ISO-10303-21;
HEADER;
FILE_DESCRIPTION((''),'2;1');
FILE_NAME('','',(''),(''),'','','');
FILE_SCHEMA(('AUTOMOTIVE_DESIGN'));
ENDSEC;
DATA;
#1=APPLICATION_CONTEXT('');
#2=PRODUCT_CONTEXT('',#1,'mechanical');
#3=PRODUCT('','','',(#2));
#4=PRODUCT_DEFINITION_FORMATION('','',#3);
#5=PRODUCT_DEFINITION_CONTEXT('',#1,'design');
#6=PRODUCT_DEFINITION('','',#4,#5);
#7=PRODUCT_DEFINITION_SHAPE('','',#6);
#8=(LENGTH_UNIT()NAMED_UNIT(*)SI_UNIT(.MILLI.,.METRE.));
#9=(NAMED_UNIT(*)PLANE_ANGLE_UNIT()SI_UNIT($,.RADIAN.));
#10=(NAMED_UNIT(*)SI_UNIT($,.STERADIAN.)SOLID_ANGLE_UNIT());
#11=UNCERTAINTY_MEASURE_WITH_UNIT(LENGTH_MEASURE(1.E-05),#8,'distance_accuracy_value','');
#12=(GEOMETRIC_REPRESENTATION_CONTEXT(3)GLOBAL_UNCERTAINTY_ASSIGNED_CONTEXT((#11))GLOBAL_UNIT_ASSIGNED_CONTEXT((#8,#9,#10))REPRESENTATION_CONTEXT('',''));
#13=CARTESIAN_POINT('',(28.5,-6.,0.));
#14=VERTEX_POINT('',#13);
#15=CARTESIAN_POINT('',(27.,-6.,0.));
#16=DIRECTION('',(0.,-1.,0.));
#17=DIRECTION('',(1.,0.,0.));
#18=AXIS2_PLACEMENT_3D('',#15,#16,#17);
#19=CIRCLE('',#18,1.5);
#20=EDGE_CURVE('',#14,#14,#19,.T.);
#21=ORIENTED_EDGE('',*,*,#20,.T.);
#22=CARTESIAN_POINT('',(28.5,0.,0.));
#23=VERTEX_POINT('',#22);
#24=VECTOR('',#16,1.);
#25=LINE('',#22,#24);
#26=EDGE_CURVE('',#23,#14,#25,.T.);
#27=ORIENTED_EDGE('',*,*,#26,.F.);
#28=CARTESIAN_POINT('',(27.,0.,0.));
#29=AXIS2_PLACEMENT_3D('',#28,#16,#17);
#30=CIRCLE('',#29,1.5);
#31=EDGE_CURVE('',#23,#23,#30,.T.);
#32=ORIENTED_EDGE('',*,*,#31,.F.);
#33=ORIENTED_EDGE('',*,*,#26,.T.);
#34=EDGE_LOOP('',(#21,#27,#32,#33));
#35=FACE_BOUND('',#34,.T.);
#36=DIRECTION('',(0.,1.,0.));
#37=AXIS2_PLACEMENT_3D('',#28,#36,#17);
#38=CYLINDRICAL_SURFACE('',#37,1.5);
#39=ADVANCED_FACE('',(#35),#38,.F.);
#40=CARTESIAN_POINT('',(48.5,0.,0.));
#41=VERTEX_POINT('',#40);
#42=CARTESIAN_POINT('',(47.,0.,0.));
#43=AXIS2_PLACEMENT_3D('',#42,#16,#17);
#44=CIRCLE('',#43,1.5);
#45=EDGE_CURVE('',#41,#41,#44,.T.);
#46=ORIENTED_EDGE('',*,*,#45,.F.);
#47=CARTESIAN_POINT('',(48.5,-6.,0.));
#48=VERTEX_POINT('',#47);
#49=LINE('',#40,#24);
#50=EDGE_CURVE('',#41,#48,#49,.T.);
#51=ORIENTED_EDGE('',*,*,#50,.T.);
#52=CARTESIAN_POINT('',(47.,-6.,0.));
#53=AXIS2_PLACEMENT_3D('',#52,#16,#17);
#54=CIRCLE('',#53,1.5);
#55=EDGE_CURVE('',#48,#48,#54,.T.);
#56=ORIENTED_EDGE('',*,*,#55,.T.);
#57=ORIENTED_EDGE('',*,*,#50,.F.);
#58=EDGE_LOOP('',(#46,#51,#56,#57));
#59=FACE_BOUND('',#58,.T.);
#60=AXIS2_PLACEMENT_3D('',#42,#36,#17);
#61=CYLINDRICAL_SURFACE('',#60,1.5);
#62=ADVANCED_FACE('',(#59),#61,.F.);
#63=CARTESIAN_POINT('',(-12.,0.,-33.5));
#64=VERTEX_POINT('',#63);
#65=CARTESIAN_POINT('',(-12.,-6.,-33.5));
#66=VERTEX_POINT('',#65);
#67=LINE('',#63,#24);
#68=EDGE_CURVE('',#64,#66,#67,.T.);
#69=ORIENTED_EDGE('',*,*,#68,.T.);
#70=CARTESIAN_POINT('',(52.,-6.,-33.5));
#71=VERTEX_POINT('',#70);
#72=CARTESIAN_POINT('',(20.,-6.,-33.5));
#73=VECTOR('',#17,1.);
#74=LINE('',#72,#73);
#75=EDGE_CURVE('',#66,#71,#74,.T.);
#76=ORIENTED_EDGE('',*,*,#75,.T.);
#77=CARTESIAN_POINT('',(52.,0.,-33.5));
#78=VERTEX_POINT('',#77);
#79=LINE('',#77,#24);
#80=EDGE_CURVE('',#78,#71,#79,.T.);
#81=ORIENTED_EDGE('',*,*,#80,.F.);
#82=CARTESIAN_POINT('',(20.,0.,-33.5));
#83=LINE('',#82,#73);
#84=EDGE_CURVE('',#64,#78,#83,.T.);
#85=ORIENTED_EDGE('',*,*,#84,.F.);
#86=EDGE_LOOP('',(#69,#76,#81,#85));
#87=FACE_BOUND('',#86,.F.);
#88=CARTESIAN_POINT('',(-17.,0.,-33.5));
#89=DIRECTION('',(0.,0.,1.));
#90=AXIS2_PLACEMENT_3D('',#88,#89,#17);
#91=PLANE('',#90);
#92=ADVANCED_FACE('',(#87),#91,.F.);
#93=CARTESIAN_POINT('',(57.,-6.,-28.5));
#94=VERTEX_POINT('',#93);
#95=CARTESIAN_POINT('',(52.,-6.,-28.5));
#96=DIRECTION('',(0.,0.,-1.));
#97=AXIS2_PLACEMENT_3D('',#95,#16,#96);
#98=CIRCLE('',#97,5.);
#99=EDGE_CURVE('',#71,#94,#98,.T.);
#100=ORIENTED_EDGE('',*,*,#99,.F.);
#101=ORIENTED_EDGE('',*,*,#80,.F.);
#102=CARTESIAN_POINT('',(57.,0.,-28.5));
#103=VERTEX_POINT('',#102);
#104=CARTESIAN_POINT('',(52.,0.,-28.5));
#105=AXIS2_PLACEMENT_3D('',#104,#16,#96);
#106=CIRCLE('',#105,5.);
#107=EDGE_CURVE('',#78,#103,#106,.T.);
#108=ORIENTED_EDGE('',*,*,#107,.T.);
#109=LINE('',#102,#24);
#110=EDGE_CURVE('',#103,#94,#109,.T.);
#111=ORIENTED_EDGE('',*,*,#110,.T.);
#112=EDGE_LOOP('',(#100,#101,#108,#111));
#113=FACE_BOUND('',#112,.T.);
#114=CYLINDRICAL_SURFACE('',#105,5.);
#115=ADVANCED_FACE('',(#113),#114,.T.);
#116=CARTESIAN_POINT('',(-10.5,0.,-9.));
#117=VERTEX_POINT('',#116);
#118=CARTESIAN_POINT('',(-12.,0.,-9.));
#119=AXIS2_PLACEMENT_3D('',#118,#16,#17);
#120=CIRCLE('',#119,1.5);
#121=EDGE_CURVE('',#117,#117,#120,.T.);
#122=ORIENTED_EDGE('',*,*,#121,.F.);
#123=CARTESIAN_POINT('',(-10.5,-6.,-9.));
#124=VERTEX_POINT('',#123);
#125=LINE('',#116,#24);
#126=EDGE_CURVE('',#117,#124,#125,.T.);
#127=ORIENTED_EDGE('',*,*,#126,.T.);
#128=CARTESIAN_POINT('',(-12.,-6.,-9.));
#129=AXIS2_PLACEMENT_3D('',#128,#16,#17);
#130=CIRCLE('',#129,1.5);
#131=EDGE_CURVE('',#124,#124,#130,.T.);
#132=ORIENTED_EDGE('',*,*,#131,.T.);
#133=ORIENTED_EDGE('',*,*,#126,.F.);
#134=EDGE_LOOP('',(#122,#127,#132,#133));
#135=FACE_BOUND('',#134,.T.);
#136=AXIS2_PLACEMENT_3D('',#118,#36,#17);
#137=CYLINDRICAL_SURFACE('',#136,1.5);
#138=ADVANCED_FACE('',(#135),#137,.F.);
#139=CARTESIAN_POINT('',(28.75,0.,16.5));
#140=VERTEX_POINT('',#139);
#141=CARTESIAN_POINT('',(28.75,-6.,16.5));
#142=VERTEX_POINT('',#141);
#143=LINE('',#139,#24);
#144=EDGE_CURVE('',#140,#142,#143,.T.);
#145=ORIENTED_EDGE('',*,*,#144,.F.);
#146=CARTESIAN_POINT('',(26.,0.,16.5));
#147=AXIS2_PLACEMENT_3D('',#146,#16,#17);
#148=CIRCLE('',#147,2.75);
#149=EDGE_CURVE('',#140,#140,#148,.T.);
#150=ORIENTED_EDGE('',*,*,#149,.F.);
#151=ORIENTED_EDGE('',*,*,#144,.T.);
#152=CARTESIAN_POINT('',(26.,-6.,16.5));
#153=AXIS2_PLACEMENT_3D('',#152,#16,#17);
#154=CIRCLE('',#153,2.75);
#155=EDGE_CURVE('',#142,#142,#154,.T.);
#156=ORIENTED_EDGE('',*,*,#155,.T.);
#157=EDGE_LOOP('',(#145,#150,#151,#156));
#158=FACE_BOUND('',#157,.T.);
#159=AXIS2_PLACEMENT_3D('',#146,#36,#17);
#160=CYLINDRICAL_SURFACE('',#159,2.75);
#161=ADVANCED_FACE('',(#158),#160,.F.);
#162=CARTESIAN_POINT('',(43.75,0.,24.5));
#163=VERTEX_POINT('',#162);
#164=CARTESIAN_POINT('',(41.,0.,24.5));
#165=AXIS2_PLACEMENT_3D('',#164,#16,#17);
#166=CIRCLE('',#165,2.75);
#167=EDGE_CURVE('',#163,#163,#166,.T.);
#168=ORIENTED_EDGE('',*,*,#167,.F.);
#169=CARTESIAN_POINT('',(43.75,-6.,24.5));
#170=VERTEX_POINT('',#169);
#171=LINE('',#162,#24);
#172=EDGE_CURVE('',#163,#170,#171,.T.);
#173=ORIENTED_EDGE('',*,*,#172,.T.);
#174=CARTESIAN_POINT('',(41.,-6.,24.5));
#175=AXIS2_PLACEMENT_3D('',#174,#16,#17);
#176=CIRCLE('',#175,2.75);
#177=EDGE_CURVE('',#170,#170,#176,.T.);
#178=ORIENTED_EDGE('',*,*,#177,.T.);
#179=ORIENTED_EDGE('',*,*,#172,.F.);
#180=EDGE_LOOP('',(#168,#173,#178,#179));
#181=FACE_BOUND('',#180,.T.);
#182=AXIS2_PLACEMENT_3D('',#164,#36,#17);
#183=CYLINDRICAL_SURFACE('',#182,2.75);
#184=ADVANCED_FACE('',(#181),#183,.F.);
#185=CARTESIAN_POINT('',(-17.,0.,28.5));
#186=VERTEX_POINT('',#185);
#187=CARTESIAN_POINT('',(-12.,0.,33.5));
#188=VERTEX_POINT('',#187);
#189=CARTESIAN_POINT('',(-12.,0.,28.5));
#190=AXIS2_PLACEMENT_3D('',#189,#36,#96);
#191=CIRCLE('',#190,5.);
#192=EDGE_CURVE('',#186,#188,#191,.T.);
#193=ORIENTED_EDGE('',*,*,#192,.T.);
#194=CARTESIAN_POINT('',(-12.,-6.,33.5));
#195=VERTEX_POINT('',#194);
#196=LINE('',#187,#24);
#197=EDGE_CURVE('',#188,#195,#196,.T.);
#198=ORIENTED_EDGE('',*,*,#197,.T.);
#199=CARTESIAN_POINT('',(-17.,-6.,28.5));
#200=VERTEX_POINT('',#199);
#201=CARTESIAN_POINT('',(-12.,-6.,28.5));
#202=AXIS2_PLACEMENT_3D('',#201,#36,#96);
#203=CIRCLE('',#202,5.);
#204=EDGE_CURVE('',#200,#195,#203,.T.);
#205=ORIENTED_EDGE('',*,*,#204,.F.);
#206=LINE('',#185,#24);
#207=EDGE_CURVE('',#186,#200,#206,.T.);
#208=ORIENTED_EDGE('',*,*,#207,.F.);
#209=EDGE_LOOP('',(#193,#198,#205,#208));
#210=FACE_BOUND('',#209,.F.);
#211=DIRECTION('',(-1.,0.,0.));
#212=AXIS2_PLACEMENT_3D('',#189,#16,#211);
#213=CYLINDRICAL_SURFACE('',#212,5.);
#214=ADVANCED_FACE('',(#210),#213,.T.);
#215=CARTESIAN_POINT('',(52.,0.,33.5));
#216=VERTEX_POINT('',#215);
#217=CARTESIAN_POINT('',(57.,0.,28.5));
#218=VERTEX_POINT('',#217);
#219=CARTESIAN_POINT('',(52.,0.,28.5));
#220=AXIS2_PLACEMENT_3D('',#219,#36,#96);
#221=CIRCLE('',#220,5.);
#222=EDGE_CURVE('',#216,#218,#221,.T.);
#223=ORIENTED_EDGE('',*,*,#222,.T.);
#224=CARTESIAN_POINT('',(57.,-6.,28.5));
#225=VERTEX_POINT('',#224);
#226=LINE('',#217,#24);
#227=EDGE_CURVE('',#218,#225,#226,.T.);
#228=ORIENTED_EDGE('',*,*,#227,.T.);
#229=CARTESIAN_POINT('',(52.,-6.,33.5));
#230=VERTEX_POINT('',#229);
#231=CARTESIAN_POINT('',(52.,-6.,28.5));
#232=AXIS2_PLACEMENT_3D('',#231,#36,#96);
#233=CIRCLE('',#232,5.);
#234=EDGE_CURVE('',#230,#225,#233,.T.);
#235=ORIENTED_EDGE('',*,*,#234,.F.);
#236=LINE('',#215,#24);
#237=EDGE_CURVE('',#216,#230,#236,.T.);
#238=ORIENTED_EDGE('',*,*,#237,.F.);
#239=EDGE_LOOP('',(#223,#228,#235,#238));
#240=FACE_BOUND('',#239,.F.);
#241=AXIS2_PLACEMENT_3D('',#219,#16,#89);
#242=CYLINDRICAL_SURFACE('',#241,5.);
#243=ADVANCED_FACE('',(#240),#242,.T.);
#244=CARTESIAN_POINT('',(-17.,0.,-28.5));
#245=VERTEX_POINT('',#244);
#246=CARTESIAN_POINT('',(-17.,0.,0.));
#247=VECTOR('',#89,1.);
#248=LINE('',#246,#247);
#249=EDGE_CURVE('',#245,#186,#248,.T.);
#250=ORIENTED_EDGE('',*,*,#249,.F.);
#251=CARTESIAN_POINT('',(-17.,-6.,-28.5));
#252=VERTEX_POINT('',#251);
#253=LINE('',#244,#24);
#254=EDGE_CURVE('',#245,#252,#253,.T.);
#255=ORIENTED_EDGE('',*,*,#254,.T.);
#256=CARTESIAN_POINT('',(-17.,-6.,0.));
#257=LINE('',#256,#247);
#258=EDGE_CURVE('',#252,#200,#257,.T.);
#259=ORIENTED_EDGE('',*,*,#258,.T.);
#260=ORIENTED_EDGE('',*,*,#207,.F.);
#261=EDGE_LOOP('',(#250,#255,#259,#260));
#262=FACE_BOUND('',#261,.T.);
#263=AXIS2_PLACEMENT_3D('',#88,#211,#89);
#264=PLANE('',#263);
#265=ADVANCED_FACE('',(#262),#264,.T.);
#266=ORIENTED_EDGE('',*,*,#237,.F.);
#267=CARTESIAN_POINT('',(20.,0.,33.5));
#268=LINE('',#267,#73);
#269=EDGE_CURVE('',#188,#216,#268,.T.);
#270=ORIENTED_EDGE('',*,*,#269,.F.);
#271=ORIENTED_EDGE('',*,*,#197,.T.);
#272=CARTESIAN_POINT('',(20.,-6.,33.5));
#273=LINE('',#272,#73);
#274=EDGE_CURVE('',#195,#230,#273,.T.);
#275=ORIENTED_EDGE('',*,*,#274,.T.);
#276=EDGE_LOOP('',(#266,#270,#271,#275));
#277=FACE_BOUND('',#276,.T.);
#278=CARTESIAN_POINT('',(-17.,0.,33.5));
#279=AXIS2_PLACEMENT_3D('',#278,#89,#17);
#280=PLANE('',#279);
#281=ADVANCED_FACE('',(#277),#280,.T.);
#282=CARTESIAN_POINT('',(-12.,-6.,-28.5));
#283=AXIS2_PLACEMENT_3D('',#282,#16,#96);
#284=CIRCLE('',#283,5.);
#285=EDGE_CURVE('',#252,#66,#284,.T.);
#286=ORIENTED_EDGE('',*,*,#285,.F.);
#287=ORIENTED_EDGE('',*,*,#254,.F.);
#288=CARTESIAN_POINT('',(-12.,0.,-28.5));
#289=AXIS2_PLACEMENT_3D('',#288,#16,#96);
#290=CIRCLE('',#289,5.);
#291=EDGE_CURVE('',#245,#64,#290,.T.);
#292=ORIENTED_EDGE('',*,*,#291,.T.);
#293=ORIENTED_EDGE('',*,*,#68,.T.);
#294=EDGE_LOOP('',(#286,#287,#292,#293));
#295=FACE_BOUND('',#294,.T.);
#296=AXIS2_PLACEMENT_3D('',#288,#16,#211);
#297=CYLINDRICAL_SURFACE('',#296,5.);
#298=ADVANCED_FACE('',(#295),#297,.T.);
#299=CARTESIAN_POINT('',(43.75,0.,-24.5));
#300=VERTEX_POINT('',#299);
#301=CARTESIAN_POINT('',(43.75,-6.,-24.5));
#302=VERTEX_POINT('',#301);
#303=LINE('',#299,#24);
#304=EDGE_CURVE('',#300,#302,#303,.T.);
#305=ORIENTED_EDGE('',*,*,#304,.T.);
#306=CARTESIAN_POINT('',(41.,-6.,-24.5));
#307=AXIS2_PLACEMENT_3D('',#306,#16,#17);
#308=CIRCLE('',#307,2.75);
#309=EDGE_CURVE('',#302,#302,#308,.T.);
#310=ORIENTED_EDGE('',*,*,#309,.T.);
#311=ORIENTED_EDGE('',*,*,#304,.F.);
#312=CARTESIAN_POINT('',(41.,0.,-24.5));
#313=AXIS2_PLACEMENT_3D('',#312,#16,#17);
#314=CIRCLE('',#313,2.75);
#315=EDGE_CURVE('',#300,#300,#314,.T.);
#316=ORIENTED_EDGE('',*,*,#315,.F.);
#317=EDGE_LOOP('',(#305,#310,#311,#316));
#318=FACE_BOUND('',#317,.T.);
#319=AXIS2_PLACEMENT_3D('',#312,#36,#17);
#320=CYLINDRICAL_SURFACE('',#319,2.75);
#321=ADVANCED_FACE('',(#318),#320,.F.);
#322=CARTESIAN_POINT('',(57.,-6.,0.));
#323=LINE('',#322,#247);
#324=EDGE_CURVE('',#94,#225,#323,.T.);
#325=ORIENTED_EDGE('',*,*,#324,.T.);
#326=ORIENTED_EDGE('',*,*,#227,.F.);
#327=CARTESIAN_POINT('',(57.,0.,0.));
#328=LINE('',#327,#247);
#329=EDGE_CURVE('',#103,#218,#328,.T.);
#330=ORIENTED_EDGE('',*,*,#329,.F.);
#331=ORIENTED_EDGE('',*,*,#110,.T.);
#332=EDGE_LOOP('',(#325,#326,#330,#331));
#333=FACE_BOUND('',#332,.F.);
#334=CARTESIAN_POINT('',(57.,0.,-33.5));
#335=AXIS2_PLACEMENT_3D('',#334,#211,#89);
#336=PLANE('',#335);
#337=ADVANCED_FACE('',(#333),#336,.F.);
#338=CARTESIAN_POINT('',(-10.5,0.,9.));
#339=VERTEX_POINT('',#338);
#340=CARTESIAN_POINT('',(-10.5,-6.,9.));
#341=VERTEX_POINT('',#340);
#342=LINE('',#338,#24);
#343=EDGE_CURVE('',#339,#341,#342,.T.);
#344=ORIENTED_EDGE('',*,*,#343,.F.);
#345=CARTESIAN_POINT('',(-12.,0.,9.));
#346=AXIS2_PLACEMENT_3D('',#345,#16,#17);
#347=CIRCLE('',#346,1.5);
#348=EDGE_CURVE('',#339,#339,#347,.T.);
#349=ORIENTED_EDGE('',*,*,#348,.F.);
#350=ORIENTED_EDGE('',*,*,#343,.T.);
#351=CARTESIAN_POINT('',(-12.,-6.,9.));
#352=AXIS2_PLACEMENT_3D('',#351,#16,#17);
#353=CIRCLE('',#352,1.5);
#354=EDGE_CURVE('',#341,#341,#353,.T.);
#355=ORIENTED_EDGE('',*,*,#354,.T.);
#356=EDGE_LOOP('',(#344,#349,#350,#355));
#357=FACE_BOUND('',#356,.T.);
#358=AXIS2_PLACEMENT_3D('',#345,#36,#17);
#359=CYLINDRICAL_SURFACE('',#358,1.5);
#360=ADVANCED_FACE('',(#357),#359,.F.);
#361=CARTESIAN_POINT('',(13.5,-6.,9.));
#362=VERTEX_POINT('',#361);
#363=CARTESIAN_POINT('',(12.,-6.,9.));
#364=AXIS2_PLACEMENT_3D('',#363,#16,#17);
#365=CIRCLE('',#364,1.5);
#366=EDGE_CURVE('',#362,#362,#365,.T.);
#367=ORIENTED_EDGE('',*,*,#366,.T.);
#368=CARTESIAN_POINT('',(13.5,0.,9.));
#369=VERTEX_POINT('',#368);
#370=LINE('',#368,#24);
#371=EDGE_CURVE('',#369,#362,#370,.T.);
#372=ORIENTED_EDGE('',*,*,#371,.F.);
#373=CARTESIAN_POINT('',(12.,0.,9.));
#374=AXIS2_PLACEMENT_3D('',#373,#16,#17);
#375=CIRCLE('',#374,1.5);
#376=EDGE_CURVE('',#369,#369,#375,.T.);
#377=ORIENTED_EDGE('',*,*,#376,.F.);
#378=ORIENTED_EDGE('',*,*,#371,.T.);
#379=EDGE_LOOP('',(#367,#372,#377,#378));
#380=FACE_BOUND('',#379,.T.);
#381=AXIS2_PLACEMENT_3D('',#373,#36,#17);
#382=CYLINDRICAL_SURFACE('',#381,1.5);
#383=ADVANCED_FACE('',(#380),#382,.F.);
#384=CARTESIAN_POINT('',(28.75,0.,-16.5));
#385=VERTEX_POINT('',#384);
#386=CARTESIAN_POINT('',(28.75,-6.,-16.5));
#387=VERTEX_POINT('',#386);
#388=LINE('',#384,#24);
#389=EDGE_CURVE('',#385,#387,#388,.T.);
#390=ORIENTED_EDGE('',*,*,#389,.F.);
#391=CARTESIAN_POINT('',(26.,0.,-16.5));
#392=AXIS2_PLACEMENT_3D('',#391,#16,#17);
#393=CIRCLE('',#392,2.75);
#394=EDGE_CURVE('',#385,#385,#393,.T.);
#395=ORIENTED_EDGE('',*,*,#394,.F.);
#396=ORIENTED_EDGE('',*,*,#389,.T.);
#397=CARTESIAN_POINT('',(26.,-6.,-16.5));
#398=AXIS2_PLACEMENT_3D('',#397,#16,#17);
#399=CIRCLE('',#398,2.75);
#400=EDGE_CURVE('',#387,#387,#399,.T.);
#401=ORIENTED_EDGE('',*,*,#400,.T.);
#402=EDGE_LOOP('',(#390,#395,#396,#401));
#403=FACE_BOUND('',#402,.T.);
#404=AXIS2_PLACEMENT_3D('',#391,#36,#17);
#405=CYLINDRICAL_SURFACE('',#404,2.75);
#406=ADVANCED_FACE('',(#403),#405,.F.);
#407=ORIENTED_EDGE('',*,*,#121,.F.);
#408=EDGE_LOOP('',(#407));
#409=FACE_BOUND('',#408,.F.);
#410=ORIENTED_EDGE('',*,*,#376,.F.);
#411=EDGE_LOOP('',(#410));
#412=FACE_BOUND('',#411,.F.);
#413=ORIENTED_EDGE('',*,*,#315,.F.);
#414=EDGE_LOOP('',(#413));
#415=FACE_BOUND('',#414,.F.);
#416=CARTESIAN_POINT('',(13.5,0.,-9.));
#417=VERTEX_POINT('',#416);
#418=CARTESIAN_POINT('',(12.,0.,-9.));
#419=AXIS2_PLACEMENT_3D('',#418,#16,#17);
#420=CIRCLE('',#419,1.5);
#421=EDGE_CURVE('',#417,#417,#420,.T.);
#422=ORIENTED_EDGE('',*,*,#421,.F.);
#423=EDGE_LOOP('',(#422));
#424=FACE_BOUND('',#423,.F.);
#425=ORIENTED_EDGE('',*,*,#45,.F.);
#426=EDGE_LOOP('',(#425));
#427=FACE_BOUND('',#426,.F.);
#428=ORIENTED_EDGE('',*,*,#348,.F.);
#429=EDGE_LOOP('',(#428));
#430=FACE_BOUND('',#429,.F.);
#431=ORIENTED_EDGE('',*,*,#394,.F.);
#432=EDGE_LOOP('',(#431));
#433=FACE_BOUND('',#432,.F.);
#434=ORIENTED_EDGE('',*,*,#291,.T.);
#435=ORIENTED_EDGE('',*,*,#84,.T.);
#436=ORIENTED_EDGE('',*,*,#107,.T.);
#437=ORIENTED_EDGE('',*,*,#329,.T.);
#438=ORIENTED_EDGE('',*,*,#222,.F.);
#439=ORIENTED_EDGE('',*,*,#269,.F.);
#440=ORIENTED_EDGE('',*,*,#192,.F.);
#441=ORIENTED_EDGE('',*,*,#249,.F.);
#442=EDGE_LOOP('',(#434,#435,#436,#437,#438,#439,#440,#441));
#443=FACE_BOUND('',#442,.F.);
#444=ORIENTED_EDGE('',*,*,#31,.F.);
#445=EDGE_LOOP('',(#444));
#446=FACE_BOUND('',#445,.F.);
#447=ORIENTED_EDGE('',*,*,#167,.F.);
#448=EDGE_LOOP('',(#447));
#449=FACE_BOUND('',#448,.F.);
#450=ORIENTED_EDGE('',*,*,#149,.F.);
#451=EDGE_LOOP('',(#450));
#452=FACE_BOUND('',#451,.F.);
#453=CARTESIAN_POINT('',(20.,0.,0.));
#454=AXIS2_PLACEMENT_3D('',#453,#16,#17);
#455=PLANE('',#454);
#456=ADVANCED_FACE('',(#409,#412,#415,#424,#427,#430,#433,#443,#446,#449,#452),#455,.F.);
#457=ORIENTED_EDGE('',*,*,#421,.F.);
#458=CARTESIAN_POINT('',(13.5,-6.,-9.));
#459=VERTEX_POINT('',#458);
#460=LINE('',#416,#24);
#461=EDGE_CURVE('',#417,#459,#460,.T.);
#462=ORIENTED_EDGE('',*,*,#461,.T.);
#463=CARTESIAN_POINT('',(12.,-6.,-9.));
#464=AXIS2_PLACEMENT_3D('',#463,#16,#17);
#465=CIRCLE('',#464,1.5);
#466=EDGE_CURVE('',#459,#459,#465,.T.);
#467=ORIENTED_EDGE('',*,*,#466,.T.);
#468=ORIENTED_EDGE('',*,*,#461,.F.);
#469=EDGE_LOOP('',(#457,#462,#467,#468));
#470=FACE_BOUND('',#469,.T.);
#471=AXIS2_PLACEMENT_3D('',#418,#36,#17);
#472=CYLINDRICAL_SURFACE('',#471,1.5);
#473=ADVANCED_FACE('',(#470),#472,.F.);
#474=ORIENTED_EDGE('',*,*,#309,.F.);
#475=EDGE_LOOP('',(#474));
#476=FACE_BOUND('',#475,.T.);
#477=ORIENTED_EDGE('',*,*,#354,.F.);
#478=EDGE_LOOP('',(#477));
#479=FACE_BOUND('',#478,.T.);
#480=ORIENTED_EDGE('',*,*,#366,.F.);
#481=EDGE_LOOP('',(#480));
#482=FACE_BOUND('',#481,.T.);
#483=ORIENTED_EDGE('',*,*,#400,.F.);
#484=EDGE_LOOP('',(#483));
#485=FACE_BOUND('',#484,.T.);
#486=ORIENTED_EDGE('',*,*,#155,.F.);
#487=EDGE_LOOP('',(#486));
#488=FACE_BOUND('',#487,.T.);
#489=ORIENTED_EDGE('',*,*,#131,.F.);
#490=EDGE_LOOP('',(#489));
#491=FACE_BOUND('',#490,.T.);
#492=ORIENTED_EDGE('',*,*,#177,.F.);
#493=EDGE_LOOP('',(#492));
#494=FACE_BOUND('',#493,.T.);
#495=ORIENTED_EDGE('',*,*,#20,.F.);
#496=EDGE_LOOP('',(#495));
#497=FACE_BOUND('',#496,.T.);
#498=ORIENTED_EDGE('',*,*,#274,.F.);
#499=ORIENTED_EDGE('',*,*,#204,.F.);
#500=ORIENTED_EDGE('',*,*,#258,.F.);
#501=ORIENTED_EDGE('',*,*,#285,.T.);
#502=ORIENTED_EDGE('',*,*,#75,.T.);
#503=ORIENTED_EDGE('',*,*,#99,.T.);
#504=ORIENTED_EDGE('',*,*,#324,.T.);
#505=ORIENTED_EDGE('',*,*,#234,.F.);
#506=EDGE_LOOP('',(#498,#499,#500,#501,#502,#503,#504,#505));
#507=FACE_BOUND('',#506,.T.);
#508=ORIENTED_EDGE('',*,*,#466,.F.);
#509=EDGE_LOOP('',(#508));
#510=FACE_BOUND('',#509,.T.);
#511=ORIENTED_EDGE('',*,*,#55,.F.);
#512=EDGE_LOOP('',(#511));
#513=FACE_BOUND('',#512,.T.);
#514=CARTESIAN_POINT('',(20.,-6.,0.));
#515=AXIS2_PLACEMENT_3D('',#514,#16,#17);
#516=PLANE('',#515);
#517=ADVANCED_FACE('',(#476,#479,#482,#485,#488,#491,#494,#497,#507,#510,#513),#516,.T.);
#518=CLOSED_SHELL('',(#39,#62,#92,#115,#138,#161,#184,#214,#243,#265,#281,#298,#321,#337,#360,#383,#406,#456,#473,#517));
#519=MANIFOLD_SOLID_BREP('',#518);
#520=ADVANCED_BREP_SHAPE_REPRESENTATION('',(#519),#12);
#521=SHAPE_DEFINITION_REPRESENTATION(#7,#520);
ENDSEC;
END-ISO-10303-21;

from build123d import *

# Parameters (mm, degrees)
F0_W     = 74
F0_H     = 67
F0_R     = 1.5
F0_R_2   = 2.75
F1_DEPTH = 6
F2_R     = 5


with BuildPart() as f1:
    # F0 (on Front) → F1 (new body)
    with BuildSketch(Plane.XZ):
        with Locations((20, 0)):
            Rectangle(F0_W, F0_H)
        with Locations((-12, -9)):
            Circle(F0_R, mode=Mode.SUBTRACT)
        with Locations((12, -9)):
            Circle(F0_R, mode=Mode.SUBTRACT)
        with Locations((41, -24.5)):
            Circle(F0_R_2, mode=Mode.SUBTRACT)
        with Locations((26, -16.5)):
            Circle(F0_R_2, mode=Mode.SUBTRACT)
        with Locations((-12, 9)):
            Circle(F0_R, mode=Mode.SUBTRACT)
        with Locations((12, 9)):
            Circle(F0_R, mode=Mode.SUBTRACT)
        with Locations((27, 0)):
            Circle(F0_R, mode=Mode.SUBTRACT)
        with Locations((26, 16.5)):
            Circle(F0_R_2, mode=Mode.SUBTRACT)
        with Locations((47, 0)):
            Circle(F0_R, mode=Mode.SUBTRACT)
        with Locations((41, 24.5)):
            Circle(F0_R_2, mode=Mode.SUBTRACT)
    extrude(amount=F1_DEPTH)

    # F2
    f2_edges = [f1.edges().sort_by_distance(p)[0] for p in [
        (-17, -3, 33.5),
        (57, -3, 33.5),
        (57, -3, -33.5),
        (-17, -3, -33.5),
    ]]
    fillet(f2_edges, radius=F2_R)


solid = f1.part
